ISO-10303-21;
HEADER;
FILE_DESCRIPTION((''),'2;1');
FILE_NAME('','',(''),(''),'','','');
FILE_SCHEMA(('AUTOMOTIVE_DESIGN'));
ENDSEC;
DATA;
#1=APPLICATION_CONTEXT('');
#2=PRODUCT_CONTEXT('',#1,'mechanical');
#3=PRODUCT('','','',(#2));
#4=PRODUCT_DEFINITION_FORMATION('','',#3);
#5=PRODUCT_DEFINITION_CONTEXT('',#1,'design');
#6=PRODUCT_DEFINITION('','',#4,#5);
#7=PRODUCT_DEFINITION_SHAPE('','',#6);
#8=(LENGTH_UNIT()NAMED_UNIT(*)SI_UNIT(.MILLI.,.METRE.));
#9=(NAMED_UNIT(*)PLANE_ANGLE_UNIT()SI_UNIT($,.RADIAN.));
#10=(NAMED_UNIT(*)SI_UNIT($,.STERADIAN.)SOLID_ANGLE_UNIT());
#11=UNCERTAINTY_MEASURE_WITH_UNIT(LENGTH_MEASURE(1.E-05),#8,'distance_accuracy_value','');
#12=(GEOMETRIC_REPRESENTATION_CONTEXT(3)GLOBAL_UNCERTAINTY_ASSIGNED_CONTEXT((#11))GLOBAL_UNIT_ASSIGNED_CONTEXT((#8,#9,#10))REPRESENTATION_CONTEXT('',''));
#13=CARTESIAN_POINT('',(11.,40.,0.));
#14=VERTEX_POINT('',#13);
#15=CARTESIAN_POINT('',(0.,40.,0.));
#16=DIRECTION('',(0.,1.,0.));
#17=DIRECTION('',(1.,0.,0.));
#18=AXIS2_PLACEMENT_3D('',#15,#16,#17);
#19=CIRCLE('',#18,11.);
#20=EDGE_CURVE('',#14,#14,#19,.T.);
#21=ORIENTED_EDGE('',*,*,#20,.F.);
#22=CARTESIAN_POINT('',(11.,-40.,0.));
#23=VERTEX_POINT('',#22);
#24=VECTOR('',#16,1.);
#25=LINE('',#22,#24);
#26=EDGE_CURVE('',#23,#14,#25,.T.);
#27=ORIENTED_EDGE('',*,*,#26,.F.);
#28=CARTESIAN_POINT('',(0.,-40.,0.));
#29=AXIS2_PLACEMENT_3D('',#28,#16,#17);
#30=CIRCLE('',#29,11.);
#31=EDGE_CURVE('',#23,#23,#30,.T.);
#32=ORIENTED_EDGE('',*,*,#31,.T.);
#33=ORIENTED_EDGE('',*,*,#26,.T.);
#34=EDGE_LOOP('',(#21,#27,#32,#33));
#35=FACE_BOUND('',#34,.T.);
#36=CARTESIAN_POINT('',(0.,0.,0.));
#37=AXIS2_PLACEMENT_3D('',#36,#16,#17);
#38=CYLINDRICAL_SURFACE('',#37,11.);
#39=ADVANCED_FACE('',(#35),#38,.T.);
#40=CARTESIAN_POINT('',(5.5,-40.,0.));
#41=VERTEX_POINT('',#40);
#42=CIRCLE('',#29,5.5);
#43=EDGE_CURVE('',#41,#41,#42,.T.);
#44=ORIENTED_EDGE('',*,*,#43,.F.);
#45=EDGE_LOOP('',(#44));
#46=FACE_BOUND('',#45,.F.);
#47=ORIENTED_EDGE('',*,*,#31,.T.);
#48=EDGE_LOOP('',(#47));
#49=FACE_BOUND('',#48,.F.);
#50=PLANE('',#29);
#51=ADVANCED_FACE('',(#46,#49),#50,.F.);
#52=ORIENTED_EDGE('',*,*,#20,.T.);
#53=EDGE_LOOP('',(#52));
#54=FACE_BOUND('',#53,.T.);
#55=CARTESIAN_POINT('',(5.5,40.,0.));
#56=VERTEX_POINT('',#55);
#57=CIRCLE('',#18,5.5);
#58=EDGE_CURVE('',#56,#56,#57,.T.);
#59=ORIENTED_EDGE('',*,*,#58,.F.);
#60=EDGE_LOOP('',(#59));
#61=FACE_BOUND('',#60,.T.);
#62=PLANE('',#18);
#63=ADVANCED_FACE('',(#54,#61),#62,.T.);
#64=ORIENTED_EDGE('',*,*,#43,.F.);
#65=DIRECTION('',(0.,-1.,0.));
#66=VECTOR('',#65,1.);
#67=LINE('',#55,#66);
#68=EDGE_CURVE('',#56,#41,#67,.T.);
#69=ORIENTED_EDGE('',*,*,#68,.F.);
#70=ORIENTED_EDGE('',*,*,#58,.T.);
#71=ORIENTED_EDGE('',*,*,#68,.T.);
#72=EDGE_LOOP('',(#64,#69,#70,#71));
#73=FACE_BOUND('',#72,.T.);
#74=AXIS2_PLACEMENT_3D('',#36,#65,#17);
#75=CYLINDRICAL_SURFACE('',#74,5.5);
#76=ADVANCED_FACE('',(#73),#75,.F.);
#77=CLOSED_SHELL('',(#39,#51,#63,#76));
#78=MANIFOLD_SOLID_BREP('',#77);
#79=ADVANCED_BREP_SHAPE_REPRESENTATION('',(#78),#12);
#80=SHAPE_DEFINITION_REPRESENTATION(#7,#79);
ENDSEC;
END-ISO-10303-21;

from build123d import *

# Parameters (mm, degrees)
SKETCH1_R           = 11
SKETCH1_R_2         = 5.5
BOSS_EXTRUDE1_DEPTH = 40


with BuildPart() as part:
    # Sketch1 → Boss-Extrude1 (new body, symmetric)
    with BuildSketch(Plane(origin=(0, 0, 0), x_dir=(1, 0, 0), z_dir=(0, 1, 0))):
        Circle(SKETCH1_R)
        Circle(SKETCH1_R_2, mode=Mode.SUBTRACT)
    extrude(amount=BOSS_EXTRUDE1_DEPTH, both=True)


solid = part.part
